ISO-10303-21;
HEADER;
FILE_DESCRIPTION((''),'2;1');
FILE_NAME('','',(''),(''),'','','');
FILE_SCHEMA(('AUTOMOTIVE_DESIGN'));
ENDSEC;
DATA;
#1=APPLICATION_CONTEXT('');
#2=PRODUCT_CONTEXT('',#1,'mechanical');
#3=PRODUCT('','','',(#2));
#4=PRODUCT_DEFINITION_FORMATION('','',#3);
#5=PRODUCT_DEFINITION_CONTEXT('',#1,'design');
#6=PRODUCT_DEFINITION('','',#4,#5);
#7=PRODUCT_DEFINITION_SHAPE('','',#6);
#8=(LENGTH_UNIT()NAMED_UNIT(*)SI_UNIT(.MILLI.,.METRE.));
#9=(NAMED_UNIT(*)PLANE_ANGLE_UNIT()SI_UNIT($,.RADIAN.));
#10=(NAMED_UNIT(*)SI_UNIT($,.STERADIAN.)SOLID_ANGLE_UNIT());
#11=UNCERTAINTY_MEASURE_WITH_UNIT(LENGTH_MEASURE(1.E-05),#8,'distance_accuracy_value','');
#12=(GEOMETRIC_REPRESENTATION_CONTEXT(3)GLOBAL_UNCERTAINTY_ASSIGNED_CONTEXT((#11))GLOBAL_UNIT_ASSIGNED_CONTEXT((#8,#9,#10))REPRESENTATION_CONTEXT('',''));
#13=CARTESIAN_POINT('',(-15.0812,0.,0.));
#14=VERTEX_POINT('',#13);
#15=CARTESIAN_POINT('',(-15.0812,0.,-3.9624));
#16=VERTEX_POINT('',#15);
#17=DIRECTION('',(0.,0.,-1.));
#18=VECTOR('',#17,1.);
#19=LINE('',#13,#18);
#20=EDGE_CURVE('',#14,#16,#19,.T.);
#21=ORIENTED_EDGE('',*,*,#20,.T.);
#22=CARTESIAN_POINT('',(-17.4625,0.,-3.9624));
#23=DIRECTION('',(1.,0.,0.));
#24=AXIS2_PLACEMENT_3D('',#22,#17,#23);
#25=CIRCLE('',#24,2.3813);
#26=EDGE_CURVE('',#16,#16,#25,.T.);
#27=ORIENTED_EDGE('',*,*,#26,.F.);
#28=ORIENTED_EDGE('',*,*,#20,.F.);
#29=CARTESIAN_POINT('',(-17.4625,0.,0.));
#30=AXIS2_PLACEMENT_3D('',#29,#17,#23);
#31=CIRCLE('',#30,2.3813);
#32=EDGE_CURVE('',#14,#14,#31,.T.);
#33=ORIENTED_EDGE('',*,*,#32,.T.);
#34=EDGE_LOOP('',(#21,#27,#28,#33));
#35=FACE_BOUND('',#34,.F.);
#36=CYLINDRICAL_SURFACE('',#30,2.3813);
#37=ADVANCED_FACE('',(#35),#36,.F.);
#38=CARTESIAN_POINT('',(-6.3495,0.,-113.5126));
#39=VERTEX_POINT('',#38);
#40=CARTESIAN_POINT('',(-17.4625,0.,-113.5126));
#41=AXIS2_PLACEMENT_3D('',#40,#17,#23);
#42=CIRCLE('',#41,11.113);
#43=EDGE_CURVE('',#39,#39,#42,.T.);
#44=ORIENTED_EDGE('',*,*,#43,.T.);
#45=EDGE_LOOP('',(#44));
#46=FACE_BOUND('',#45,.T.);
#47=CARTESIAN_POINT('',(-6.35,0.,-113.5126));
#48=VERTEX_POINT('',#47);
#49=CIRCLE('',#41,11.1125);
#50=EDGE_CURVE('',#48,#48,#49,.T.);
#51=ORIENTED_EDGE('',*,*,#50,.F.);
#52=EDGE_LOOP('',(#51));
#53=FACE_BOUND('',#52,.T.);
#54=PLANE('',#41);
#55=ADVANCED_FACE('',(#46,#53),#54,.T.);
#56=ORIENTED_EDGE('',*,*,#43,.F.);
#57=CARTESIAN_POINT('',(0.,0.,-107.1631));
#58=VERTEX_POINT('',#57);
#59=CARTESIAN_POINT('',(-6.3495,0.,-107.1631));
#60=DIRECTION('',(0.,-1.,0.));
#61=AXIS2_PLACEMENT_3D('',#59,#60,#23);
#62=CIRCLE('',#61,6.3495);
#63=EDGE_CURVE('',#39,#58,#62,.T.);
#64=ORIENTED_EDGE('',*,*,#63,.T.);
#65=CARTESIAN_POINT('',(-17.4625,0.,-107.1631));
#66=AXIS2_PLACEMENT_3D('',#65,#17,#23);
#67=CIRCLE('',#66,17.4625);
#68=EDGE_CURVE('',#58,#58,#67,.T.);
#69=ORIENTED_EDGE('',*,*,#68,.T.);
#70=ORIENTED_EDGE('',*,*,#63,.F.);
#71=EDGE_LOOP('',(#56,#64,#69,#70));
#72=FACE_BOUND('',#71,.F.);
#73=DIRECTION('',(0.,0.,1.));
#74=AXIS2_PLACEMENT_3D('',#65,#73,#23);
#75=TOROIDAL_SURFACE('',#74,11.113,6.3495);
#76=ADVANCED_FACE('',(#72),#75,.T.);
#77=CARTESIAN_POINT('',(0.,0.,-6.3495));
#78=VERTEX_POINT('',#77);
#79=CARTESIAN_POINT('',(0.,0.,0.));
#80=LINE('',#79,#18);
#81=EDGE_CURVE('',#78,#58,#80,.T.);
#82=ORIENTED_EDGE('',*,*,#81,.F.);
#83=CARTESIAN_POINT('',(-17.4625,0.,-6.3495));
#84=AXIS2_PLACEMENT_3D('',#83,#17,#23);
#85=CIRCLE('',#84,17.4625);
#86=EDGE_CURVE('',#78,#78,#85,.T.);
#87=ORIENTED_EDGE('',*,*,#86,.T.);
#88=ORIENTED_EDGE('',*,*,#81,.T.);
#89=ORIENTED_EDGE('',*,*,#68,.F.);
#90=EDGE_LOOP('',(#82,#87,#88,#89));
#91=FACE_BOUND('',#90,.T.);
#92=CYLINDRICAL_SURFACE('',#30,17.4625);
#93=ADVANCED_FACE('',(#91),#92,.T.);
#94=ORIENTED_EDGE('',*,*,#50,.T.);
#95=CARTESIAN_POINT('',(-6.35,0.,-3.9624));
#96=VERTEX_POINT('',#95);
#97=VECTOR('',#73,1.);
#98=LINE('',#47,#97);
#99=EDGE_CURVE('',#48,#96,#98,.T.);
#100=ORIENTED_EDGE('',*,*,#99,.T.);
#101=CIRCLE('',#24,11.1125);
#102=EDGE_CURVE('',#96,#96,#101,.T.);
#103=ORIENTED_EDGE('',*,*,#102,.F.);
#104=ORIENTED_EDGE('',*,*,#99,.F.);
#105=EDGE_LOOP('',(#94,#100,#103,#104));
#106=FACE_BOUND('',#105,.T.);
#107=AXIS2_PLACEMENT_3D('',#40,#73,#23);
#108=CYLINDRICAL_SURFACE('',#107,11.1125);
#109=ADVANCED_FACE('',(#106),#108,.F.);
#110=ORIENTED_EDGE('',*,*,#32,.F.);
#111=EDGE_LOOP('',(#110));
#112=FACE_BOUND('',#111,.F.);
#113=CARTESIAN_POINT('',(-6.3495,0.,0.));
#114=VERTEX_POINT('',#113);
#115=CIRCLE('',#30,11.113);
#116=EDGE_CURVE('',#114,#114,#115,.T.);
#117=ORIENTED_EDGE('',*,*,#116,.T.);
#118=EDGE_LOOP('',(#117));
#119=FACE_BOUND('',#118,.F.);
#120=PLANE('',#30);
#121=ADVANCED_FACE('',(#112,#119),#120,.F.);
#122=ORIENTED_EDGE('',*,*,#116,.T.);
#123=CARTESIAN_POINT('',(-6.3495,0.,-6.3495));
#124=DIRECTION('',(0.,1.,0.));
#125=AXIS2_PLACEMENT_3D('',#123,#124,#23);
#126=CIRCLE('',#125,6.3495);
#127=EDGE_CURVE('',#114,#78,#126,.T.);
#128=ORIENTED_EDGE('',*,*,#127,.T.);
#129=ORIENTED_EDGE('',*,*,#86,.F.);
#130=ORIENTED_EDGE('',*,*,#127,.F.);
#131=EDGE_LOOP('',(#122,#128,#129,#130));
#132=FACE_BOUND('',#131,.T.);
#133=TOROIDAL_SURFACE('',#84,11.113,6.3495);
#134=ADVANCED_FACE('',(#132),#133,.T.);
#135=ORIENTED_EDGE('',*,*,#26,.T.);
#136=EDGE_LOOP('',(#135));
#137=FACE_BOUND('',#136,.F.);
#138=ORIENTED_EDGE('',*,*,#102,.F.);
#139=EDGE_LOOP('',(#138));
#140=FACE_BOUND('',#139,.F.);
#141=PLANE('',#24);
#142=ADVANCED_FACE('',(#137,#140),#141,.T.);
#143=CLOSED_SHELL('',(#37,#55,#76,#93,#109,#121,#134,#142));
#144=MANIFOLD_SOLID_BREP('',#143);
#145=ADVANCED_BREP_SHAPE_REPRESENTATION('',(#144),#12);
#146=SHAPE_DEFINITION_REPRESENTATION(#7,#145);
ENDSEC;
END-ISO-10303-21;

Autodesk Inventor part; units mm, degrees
ref_plane "YZ Plane" through (0, 0, 0) normal (1, 0, 0) x (0, 1, 0)
ref_plane "XZ Plane" through (0, 0, 0) normal (0, 1, 0) x (-1, 0, 0)
ref_plane "XY Plane" through (0, 0, 0) normal (0, 0, 1) x (1, 0, 0)
sketch "Sketch1" plane through (0, 0, 0) normal (0, 1, 0) x (-1, 0, 0)
  line L0 (0, 0) -> (0, -113.5126)
  line L1 (0, -113.5126) -> (6.35, -113.5126)
  line L2 (6.35, -113.5126) -> (6.35, -3.9624)
  line L3 (0, 0) -> (15.0812, 0)
  line L4 (15.0812, 0) -> (15.0812, -3.9624)
  line L5 (15.0812, -3.9624) -> (6.35, -3.9624)
  line L6 (17.4625, -3.9624) -> (17.4625, -100.2955) construction
  dimension "d0" = 113.5126
  dimension "d1" = 6.35
  dimension "d2" = 109.5502
  dimension "d3" = 15.0813
  dimension "d4" = 2.3813
revolve "Revolution1" add sketch "Sketch1" angle 360 about axis through (-17.4625, 0, -3.9624) along (0, 0, -1)
fillet "Fillet1" radius 6.35 2 edges at (-34.925, 0, -113.5126) (-34.925, 0, 0)
properties part number "RubberHandleSleeveGBR"
